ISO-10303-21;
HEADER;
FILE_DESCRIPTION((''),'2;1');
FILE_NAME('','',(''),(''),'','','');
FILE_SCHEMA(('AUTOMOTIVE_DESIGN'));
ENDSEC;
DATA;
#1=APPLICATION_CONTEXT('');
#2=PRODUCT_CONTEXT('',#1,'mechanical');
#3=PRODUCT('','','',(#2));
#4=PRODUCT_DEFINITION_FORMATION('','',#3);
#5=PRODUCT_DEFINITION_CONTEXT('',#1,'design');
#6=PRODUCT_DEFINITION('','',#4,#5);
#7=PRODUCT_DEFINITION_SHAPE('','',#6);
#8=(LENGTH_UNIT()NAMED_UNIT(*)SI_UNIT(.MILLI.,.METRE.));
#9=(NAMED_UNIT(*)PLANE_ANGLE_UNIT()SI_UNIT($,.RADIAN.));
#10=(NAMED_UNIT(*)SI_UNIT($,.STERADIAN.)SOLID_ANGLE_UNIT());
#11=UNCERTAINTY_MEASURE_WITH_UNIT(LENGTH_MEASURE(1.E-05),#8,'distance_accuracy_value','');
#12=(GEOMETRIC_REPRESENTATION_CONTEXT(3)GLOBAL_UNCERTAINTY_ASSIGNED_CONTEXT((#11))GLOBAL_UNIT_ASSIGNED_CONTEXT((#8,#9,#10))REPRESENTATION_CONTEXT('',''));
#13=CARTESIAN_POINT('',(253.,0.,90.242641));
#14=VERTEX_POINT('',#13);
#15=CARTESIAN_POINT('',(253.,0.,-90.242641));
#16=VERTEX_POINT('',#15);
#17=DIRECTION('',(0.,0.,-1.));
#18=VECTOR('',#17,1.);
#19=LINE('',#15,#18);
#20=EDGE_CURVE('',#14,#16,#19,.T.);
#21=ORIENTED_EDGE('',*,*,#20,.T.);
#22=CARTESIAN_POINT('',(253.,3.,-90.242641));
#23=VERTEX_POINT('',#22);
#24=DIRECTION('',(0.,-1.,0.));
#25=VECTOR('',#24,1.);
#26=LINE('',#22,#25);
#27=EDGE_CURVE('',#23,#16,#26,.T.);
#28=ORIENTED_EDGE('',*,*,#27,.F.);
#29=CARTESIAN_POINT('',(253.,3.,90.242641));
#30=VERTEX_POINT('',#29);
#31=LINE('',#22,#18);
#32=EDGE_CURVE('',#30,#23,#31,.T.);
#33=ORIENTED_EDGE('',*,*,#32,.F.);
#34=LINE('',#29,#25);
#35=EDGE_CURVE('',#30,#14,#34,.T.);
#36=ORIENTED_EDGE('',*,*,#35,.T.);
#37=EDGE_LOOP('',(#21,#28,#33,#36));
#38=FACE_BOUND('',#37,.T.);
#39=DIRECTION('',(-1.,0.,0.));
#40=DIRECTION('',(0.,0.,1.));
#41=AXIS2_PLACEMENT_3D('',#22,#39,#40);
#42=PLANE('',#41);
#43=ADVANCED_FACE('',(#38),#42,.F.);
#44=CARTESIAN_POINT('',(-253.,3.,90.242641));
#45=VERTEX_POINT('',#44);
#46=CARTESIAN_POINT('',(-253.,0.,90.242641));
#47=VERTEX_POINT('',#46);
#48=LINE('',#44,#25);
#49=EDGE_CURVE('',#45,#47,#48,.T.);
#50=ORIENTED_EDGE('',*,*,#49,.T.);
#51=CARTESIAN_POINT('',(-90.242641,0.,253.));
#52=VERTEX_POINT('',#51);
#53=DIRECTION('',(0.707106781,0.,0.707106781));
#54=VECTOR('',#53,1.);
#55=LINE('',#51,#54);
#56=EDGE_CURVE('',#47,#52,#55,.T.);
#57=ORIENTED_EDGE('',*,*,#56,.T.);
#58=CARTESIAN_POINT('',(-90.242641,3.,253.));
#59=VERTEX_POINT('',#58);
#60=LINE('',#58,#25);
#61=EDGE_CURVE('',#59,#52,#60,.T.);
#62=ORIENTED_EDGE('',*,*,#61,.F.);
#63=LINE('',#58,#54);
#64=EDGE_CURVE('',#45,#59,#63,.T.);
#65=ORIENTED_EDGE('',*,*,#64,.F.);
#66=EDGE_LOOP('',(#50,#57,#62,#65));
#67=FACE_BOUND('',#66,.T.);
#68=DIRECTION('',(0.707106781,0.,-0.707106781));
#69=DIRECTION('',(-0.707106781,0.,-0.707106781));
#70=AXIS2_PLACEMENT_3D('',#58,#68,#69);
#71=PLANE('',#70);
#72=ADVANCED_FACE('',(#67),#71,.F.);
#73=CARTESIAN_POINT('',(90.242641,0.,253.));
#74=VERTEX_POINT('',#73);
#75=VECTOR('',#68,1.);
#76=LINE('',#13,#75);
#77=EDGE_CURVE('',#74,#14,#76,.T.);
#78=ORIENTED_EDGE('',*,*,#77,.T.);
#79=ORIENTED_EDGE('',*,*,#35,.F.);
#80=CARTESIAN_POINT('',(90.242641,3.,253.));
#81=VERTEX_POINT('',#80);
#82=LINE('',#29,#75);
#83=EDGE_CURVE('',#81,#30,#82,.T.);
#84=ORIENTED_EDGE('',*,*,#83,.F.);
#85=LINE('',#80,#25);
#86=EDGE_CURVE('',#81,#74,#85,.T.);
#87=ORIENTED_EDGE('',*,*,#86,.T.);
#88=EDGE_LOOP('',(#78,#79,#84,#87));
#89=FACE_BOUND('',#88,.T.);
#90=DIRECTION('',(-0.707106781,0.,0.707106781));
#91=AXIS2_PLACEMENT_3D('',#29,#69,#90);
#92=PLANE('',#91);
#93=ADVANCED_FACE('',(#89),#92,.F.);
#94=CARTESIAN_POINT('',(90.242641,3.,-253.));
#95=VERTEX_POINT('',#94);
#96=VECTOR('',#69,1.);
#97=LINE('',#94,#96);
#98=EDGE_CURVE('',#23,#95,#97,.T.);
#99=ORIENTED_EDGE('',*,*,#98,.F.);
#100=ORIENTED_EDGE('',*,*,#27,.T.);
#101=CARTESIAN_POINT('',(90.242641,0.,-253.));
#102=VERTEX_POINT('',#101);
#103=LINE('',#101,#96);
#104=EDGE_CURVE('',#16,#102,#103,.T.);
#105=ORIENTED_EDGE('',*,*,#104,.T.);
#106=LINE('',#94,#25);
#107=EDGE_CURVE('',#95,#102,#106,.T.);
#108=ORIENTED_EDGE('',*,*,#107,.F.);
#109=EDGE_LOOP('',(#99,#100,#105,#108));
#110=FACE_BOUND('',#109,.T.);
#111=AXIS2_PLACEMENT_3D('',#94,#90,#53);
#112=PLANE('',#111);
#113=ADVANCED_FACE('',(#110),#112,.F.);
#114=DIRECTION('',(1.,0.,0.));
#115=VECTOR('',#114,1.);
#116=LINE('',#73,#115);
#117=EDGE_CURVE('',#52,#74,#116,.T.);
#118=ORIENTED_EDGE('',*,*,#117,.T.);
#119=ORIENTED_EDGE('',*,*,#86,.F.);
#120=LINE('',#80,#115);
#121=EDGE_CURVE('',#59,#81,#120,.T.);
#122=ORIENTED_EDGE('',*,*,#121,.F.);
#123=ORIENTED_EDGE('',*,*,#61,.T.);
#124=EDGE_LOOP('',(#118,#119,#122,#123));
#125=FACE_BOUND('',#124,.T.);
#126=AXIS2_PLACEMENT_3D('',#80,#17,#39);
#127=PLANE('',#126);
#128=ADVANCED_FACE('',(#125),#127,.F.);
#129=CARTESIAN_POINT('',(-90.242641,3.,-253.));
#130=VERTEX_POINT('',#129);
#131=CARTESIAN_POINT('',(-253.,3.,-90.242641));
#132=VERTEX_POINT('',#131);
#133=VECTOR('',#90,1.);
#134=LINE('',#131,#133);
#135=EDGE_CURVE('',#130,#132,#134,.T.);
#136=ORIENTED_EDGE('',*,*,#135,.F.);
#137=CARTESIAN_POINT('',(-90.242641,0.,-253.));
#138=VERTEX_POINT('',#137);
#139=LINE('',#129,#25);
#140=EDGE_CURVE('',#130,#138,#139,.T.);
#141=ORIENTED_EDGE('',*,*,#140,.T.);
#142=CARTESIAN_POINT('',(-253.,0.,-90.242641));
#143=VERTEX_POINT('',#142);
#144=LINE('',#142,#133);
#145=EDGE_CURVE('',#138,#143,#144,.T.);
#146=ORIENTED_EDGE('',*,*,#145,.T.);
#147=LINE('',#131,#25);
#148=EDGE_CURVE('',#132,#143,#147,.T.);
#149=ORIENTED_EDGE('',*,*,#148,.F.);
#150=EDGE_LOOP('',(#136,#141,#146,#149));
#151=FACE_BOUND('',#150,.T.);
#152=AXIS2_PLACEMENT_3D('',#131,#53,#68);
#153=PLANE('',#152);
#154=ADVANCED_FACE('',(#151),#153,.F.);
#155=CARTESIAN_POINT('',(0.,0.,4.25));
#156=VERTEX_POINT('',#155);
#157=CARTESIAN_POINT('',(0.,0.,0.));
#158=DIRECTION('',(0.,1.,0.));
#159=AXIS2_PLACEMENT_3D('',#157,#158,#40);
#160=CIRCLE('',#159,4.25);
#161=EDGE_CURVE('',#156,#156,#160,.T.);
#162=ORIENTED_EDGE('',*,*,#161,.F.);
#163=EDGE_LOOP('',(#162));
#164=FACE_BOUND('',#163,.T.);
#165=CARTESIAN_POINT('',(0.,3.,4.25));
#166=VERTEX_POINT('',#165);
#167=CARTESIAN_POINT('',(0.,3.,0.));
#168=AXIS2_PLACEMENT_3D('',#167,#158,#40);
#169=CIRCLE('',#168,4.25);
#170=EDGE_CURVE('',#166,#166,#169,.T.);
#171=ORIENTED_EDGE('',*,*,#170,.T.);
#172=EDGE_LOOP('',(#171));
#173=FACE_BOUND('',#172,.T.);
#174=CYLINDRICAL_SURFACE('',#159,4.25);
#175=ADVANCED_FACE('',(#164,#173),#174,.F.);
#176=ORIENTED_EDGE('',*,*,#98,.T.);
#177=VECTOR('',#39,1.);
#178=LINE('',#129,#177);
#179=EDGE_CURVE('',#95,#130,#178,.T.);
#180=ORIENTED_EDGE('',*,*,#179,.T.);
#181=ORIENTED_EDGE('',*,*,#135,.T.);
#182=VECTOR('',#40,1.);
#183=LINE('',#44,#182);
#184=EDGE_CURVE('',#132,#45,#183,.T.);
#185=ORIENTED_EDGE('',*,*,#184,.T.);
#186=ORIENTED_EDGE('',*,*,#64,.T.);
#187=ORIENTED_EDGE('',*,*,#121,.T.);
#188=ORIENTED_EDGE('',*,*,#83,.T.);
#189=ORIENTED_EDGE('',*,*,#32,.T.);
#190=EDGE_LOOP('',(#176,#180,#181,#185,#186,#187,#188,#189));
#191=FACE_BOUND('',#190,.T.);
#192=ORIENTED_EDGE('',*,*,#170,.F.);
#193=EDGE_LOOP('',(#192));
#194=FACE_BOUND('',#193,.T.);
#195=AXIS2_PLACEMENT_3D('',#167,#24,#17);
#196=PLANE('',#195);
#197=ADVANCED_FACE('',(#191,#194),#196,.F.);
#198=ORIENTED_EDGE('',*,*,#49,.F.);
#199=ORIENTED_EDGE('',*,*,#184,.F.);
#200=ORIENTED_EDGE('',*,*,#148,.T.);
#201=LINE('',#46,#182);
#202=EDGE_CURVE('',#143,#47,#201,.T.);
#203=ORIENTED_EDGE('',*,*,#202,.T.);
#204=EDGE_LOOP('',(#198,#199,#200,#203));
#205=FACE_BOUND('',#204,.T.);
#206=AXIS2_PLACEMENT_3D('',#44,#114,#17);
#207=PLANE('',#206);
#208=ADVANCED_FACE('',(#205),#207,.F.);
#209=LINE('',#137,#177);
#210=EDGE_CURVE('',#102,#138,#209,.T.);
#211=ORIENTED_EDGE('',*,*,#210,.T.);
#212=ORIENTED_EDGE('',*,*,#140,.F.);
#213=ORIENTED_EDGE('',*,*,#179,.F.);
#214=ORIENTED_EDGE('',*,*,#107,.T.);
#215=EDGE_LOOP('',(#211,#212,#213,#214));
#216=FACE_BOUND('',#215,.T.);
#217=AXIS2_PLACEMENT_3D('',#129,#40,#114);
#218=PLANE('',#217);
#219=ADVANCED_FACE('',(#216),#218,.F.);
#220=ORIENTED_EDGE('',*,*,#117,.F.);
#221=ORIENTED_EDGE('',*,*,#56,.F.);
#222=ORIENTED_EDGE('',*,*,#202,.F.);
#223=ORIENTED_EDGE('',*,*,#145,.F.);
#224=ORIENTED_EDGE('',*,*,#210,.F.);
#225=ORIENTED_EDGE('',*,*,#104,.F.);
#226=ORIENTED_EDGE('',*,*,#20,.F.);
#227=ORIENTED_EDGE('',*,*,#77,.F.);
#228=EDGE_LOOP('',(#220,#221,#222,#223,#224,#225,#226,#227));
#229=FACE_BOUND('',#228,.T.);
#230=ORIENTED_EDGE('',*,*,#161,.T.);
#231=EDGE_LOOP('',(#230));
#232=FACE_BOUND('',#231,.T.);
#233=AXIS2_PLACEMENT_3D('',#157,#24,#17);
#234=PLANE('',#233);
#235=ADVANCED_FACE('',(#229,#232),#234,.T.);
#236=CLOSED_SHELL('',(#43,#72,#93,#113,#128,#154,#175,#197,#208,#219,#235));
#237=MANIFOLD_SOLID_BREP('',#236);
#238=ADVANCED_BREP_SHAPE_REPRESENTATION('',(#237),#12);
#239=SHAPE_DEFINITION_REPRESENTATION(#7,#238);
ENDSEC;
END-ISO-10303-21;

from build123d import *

# Parameters (mm, degrees)
BOSS_EXTRUDE1_DEPTH     = 3
CUT_EXTRUDE1_DEPTH      = 358.808608057
CUT_EXTRUDE1_DEPTH_BACK = 358.808608057
SKETCH2_R               = 4.25


with BuildPart() as part:
    # Sketch1 → Boss-Extrude1 (new body)
    with BuildSketch(Plane(origin=(0, 0, 0), x_dir=(1, 0, 0), z_dir=(0, 1, 0))):
        Polygon((-253, 90.242640687), (-90.242640687, 253), (90.242640687, 253), (253, 90.242640687), (253, -90.242640687), (90.242640687, -253), (-90.242640687, -253), (-253, -90.242640687), align=None)
    extrude(amount=BOSS_EXTRUDE1_DEPTH)

    # Sketch2 → Cut-Extrude1 (cut, two sides: drawn at the far end of the back side and taken through both)
    with BuildSketch(Plane(origin=(0, 3, 0), x_dir=(1, 0, 0), z_dir=(0, 1, 0)).offset(-CUT_EXTRUDE1_DEPTH_BACK)):
        with Locations(Location((0, 0, 0), (0, 0, 270))):
            Circle(SKETCH2_R)
    extrude(amount=CUT_EXTRUDE1_DEPTH + CUT_EXTRUDE1_DEPTH_BACK, mode=Mode.SUBTRACT)


solid = part.part
